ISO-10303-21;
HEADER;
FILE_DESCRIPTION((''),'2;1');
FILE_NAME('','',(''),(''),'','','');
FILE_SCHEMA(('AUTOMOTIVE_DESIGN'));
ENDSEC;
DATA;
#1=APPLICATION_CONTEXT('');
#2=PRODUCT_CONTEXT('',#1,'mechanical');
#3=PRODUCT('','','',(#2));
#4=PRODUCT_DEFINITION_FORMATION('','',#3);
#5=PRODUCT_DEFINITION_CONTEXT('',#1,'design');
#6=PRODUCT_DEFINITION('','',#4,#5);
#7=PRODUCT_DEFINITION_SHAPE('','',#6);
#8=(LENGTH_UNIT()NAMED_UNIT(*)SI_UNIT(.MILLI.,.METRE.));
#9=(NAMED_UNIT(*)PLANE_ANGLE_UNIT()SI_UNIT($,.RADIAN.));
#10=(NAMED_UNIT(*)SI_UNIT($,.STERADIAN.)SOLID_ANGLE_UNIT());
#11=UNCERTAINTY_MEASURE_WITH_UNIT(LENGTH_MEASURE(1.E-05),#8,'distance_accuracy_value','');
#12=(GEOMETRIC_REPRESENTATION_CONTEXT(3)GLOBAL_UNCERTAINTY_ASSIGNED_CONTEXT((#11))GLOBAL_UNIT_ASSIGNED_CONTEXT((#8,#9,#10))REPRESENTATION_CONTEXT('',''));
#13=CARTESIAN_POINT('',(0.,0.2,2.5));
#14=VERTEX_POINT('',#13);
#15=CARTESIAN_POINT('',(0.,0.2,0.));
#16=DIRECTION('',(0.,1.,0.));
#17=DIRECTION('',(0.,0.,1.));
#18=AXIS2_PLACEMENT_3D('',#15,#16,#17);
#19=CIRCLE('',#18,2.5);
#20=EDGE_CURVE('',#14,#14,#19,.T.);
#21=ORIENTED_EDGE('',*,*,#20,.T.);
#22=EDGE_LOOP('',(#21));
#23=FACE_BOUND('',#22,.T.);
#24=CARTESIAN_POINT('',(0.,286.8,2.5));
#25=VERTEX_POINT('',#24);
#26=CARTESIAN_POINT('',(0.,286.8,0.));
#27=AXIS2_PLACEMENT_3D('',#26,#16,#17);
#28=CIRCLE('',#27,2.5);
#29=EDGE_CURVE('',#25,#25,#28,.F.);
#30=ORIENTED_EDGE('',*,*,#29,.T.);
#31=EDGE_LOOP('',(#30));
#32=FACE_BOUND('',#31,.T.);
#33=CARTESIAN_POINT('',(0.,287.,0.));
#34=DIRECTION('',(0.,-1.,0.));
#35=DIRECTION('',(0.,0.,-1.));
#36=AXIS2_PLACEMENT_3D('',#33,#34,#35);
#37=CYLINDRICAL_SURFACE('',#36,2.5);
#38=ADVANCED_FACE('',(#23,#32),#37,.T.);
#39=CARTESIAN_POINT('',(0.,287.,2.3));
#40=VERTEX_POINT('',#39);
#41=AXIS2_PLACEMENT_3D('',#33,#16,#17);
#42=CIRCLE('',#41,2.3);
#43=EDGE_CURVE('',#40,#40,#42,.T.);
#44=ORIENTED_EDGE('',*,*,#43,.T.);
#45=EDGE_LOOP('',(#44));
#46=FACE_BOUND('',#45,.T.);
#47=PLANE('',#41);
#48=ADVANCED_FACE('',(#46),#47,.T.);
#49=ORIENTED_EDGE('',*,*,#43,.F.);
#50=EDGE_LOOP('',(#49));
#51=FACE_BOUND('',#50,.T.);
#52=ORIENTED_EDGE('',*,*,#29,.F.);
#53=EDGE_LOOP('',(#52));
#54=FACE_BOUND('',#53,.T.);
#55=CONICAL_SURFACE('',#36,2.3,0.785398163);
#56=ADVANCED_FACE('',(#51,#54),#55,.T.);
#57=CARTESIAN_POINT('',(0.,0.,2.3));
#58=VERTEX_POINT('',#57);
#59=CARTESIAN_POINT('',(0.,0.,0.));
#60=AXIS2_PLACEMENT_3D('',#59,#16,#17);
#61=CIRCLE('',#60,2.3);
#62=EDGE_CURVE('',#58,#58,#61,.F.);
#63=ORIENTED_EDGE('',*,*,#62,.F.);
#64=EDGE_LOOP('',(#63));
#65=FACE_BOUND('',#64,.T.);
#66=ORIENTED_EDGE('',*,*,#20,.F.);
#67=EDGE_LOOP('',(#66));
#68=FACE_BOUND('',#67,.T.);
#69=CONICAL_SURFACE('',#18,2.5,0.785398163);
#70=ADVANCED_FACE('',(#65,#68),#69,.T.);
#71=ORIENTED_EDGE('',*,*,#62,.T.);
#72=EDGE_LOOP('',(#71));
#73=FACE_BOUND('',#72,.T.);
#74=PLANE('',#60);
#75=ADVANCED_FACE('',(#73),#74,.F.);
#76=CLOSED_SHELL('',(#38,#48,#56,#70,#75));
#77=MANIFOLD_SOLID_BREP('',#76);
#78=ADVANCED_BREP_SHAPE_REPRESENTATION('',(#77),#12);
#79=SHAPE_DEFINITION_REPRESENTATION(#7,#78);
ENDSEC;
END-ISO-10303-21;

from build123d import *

# Parameters (mm, degrees)
SKETCH1_R           = 2.5
BOSS_EXTRUDE1_DEPTH = 287
CHAMFER1_SIZE       = 0.2


with BuildPart() as part:
    # Sketch1 → Boss-Extrude1 (new body)
    with BuildSketch(Plane(origin=(0, 0, 0), x_dir=(1, 0, 0), z_dir=(0, 1, 0))):
        Circle(SKETCH1_R)
    extrude(amount=BOSS_EXTRUDE1_DEPTH)

    # Chamfer1
    chamfer1_edges = [part.edges().sort_by_distance(p)[0] for p in [
        (-2.5, 0, 0),
        (-2.5, 287, 0),
    ]]
    chamfer(chamfer1_edges, length=CHAMFER1_SIZE)


solid = part.part
